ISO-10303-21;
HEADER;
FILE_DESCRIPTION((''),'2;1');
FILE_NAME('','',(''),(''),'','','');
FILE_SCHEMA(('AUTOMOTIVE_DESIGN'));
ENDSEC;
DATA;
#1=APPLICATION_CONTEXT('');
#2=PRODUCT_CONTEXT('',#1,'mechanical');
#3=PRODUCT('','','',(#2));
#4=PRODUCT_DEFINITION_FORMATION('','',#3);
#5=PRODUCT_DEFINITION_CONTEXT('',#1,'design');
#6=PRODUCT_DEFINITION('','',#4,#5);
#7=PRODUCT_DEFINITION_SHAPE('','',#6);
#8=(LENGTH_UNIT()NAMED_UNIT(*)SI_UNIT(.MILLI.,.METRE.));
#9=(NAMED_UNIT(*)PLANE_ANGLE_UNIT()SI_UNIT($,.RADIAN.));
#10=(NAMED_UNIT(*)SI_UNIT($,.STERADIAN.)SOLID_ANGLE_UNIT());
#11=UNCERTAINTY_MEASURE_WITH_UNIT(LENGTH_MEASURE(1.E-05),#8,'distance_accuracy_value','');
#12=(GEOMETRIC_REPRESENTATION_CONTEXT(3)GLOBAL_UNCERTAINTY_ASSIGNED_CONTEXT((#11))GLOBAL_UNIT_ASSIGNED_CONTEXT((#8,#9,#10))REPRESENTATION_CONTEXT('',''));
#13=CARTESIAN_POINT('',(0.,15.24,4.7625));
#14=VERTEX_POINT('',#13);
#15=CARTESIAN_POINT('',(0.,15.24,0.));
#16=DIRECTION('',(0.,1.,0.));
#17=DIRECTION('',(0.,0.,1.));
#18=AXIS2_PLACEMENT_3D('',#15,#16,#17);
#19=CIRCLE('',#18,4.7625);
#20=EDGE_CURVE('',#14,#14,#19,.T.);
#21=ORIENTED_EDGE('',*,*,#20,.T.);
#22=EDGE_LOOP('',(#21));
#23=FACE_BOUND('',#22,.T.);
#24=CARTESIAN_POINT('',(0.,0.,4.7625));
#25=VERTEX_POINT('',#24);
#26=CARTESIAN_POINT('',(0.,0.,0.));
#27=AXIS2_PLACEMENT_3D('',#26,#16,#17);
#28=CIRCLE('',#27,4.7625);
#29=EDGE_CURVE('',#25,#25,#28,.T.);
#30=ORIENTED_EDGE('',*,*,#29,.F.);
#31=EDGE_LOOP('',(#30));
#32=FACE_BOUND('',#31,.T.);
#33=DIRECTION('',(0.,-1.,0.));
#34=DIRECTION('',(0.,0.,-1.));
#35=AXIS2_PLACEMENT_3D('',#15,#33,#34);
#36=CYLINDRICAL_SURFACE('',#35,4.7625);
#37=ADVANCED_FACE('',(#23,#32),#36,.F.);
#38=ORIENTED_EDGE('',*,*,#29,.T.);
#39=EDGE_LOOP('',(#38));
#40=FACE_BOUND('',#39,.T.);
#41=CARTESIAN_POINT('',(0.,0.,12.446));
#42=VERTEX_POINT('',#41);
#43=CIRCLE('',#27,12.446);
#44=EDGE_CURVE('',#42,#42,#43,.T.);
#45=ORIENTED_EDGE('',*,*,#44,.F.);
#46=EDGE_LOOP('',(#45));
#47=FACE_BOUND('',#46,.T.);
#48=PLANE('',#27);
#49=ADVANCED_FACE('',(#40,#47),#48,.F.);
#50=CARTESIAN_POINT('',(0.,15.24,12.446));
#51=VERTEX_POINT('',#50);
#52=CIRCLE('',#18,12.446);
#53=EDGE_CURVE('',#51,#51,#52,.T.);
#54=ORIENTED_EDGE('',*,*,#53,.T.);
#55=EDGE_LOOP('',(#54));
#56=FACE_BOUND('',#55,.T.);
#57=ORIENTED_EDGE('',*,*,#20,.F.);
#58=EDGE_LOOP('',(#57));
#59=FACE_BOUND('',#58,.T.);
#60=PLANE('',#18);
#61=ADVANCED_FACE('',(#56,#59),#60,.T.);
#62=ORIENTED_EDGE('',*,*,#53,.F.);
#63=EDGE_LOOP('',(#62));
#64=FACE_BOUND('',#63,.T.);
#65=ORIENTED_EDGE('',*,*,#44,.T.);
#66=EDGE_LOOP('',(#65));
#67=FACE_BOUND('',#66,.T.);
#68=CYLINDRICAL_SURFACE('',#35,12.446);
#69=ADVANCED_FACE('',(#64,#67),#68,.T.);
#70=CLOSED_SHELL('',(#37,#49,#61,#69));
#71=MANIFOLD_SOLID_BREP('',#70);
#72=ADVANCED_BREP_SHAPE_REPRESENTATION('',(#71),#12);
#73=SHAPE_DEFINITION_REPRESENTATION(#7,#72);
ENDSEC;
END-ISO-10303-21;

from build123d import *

# Parameters (mm, degrees)
SKETCH1_R           = 12.446
SKETCH1_R_2         = 4.7625
BOSS_EXTRUDE1_DEPTH = 15.24


with BuildPart() as part:
    # Sketch1 → Boss-Extrude1 (new body)
    with BuildSketch(Plane(origin=(0, 0, 0), x_dir=(1, 0, 0), z_dir=(0, 1, 0))):
        with Locations(Location((0, 0, 0), (0, 0, 270))):
            Circle(SKETCH1_R)
        with Locations(Location((0, 0, 0), (0, 0, 270))):
            Circle(SKETCH1_R_2, mode=Mode.SUBTRACT)
    extrude(amount=BOSS_EXTRUDE1_DEPTH)


solid = part.part
